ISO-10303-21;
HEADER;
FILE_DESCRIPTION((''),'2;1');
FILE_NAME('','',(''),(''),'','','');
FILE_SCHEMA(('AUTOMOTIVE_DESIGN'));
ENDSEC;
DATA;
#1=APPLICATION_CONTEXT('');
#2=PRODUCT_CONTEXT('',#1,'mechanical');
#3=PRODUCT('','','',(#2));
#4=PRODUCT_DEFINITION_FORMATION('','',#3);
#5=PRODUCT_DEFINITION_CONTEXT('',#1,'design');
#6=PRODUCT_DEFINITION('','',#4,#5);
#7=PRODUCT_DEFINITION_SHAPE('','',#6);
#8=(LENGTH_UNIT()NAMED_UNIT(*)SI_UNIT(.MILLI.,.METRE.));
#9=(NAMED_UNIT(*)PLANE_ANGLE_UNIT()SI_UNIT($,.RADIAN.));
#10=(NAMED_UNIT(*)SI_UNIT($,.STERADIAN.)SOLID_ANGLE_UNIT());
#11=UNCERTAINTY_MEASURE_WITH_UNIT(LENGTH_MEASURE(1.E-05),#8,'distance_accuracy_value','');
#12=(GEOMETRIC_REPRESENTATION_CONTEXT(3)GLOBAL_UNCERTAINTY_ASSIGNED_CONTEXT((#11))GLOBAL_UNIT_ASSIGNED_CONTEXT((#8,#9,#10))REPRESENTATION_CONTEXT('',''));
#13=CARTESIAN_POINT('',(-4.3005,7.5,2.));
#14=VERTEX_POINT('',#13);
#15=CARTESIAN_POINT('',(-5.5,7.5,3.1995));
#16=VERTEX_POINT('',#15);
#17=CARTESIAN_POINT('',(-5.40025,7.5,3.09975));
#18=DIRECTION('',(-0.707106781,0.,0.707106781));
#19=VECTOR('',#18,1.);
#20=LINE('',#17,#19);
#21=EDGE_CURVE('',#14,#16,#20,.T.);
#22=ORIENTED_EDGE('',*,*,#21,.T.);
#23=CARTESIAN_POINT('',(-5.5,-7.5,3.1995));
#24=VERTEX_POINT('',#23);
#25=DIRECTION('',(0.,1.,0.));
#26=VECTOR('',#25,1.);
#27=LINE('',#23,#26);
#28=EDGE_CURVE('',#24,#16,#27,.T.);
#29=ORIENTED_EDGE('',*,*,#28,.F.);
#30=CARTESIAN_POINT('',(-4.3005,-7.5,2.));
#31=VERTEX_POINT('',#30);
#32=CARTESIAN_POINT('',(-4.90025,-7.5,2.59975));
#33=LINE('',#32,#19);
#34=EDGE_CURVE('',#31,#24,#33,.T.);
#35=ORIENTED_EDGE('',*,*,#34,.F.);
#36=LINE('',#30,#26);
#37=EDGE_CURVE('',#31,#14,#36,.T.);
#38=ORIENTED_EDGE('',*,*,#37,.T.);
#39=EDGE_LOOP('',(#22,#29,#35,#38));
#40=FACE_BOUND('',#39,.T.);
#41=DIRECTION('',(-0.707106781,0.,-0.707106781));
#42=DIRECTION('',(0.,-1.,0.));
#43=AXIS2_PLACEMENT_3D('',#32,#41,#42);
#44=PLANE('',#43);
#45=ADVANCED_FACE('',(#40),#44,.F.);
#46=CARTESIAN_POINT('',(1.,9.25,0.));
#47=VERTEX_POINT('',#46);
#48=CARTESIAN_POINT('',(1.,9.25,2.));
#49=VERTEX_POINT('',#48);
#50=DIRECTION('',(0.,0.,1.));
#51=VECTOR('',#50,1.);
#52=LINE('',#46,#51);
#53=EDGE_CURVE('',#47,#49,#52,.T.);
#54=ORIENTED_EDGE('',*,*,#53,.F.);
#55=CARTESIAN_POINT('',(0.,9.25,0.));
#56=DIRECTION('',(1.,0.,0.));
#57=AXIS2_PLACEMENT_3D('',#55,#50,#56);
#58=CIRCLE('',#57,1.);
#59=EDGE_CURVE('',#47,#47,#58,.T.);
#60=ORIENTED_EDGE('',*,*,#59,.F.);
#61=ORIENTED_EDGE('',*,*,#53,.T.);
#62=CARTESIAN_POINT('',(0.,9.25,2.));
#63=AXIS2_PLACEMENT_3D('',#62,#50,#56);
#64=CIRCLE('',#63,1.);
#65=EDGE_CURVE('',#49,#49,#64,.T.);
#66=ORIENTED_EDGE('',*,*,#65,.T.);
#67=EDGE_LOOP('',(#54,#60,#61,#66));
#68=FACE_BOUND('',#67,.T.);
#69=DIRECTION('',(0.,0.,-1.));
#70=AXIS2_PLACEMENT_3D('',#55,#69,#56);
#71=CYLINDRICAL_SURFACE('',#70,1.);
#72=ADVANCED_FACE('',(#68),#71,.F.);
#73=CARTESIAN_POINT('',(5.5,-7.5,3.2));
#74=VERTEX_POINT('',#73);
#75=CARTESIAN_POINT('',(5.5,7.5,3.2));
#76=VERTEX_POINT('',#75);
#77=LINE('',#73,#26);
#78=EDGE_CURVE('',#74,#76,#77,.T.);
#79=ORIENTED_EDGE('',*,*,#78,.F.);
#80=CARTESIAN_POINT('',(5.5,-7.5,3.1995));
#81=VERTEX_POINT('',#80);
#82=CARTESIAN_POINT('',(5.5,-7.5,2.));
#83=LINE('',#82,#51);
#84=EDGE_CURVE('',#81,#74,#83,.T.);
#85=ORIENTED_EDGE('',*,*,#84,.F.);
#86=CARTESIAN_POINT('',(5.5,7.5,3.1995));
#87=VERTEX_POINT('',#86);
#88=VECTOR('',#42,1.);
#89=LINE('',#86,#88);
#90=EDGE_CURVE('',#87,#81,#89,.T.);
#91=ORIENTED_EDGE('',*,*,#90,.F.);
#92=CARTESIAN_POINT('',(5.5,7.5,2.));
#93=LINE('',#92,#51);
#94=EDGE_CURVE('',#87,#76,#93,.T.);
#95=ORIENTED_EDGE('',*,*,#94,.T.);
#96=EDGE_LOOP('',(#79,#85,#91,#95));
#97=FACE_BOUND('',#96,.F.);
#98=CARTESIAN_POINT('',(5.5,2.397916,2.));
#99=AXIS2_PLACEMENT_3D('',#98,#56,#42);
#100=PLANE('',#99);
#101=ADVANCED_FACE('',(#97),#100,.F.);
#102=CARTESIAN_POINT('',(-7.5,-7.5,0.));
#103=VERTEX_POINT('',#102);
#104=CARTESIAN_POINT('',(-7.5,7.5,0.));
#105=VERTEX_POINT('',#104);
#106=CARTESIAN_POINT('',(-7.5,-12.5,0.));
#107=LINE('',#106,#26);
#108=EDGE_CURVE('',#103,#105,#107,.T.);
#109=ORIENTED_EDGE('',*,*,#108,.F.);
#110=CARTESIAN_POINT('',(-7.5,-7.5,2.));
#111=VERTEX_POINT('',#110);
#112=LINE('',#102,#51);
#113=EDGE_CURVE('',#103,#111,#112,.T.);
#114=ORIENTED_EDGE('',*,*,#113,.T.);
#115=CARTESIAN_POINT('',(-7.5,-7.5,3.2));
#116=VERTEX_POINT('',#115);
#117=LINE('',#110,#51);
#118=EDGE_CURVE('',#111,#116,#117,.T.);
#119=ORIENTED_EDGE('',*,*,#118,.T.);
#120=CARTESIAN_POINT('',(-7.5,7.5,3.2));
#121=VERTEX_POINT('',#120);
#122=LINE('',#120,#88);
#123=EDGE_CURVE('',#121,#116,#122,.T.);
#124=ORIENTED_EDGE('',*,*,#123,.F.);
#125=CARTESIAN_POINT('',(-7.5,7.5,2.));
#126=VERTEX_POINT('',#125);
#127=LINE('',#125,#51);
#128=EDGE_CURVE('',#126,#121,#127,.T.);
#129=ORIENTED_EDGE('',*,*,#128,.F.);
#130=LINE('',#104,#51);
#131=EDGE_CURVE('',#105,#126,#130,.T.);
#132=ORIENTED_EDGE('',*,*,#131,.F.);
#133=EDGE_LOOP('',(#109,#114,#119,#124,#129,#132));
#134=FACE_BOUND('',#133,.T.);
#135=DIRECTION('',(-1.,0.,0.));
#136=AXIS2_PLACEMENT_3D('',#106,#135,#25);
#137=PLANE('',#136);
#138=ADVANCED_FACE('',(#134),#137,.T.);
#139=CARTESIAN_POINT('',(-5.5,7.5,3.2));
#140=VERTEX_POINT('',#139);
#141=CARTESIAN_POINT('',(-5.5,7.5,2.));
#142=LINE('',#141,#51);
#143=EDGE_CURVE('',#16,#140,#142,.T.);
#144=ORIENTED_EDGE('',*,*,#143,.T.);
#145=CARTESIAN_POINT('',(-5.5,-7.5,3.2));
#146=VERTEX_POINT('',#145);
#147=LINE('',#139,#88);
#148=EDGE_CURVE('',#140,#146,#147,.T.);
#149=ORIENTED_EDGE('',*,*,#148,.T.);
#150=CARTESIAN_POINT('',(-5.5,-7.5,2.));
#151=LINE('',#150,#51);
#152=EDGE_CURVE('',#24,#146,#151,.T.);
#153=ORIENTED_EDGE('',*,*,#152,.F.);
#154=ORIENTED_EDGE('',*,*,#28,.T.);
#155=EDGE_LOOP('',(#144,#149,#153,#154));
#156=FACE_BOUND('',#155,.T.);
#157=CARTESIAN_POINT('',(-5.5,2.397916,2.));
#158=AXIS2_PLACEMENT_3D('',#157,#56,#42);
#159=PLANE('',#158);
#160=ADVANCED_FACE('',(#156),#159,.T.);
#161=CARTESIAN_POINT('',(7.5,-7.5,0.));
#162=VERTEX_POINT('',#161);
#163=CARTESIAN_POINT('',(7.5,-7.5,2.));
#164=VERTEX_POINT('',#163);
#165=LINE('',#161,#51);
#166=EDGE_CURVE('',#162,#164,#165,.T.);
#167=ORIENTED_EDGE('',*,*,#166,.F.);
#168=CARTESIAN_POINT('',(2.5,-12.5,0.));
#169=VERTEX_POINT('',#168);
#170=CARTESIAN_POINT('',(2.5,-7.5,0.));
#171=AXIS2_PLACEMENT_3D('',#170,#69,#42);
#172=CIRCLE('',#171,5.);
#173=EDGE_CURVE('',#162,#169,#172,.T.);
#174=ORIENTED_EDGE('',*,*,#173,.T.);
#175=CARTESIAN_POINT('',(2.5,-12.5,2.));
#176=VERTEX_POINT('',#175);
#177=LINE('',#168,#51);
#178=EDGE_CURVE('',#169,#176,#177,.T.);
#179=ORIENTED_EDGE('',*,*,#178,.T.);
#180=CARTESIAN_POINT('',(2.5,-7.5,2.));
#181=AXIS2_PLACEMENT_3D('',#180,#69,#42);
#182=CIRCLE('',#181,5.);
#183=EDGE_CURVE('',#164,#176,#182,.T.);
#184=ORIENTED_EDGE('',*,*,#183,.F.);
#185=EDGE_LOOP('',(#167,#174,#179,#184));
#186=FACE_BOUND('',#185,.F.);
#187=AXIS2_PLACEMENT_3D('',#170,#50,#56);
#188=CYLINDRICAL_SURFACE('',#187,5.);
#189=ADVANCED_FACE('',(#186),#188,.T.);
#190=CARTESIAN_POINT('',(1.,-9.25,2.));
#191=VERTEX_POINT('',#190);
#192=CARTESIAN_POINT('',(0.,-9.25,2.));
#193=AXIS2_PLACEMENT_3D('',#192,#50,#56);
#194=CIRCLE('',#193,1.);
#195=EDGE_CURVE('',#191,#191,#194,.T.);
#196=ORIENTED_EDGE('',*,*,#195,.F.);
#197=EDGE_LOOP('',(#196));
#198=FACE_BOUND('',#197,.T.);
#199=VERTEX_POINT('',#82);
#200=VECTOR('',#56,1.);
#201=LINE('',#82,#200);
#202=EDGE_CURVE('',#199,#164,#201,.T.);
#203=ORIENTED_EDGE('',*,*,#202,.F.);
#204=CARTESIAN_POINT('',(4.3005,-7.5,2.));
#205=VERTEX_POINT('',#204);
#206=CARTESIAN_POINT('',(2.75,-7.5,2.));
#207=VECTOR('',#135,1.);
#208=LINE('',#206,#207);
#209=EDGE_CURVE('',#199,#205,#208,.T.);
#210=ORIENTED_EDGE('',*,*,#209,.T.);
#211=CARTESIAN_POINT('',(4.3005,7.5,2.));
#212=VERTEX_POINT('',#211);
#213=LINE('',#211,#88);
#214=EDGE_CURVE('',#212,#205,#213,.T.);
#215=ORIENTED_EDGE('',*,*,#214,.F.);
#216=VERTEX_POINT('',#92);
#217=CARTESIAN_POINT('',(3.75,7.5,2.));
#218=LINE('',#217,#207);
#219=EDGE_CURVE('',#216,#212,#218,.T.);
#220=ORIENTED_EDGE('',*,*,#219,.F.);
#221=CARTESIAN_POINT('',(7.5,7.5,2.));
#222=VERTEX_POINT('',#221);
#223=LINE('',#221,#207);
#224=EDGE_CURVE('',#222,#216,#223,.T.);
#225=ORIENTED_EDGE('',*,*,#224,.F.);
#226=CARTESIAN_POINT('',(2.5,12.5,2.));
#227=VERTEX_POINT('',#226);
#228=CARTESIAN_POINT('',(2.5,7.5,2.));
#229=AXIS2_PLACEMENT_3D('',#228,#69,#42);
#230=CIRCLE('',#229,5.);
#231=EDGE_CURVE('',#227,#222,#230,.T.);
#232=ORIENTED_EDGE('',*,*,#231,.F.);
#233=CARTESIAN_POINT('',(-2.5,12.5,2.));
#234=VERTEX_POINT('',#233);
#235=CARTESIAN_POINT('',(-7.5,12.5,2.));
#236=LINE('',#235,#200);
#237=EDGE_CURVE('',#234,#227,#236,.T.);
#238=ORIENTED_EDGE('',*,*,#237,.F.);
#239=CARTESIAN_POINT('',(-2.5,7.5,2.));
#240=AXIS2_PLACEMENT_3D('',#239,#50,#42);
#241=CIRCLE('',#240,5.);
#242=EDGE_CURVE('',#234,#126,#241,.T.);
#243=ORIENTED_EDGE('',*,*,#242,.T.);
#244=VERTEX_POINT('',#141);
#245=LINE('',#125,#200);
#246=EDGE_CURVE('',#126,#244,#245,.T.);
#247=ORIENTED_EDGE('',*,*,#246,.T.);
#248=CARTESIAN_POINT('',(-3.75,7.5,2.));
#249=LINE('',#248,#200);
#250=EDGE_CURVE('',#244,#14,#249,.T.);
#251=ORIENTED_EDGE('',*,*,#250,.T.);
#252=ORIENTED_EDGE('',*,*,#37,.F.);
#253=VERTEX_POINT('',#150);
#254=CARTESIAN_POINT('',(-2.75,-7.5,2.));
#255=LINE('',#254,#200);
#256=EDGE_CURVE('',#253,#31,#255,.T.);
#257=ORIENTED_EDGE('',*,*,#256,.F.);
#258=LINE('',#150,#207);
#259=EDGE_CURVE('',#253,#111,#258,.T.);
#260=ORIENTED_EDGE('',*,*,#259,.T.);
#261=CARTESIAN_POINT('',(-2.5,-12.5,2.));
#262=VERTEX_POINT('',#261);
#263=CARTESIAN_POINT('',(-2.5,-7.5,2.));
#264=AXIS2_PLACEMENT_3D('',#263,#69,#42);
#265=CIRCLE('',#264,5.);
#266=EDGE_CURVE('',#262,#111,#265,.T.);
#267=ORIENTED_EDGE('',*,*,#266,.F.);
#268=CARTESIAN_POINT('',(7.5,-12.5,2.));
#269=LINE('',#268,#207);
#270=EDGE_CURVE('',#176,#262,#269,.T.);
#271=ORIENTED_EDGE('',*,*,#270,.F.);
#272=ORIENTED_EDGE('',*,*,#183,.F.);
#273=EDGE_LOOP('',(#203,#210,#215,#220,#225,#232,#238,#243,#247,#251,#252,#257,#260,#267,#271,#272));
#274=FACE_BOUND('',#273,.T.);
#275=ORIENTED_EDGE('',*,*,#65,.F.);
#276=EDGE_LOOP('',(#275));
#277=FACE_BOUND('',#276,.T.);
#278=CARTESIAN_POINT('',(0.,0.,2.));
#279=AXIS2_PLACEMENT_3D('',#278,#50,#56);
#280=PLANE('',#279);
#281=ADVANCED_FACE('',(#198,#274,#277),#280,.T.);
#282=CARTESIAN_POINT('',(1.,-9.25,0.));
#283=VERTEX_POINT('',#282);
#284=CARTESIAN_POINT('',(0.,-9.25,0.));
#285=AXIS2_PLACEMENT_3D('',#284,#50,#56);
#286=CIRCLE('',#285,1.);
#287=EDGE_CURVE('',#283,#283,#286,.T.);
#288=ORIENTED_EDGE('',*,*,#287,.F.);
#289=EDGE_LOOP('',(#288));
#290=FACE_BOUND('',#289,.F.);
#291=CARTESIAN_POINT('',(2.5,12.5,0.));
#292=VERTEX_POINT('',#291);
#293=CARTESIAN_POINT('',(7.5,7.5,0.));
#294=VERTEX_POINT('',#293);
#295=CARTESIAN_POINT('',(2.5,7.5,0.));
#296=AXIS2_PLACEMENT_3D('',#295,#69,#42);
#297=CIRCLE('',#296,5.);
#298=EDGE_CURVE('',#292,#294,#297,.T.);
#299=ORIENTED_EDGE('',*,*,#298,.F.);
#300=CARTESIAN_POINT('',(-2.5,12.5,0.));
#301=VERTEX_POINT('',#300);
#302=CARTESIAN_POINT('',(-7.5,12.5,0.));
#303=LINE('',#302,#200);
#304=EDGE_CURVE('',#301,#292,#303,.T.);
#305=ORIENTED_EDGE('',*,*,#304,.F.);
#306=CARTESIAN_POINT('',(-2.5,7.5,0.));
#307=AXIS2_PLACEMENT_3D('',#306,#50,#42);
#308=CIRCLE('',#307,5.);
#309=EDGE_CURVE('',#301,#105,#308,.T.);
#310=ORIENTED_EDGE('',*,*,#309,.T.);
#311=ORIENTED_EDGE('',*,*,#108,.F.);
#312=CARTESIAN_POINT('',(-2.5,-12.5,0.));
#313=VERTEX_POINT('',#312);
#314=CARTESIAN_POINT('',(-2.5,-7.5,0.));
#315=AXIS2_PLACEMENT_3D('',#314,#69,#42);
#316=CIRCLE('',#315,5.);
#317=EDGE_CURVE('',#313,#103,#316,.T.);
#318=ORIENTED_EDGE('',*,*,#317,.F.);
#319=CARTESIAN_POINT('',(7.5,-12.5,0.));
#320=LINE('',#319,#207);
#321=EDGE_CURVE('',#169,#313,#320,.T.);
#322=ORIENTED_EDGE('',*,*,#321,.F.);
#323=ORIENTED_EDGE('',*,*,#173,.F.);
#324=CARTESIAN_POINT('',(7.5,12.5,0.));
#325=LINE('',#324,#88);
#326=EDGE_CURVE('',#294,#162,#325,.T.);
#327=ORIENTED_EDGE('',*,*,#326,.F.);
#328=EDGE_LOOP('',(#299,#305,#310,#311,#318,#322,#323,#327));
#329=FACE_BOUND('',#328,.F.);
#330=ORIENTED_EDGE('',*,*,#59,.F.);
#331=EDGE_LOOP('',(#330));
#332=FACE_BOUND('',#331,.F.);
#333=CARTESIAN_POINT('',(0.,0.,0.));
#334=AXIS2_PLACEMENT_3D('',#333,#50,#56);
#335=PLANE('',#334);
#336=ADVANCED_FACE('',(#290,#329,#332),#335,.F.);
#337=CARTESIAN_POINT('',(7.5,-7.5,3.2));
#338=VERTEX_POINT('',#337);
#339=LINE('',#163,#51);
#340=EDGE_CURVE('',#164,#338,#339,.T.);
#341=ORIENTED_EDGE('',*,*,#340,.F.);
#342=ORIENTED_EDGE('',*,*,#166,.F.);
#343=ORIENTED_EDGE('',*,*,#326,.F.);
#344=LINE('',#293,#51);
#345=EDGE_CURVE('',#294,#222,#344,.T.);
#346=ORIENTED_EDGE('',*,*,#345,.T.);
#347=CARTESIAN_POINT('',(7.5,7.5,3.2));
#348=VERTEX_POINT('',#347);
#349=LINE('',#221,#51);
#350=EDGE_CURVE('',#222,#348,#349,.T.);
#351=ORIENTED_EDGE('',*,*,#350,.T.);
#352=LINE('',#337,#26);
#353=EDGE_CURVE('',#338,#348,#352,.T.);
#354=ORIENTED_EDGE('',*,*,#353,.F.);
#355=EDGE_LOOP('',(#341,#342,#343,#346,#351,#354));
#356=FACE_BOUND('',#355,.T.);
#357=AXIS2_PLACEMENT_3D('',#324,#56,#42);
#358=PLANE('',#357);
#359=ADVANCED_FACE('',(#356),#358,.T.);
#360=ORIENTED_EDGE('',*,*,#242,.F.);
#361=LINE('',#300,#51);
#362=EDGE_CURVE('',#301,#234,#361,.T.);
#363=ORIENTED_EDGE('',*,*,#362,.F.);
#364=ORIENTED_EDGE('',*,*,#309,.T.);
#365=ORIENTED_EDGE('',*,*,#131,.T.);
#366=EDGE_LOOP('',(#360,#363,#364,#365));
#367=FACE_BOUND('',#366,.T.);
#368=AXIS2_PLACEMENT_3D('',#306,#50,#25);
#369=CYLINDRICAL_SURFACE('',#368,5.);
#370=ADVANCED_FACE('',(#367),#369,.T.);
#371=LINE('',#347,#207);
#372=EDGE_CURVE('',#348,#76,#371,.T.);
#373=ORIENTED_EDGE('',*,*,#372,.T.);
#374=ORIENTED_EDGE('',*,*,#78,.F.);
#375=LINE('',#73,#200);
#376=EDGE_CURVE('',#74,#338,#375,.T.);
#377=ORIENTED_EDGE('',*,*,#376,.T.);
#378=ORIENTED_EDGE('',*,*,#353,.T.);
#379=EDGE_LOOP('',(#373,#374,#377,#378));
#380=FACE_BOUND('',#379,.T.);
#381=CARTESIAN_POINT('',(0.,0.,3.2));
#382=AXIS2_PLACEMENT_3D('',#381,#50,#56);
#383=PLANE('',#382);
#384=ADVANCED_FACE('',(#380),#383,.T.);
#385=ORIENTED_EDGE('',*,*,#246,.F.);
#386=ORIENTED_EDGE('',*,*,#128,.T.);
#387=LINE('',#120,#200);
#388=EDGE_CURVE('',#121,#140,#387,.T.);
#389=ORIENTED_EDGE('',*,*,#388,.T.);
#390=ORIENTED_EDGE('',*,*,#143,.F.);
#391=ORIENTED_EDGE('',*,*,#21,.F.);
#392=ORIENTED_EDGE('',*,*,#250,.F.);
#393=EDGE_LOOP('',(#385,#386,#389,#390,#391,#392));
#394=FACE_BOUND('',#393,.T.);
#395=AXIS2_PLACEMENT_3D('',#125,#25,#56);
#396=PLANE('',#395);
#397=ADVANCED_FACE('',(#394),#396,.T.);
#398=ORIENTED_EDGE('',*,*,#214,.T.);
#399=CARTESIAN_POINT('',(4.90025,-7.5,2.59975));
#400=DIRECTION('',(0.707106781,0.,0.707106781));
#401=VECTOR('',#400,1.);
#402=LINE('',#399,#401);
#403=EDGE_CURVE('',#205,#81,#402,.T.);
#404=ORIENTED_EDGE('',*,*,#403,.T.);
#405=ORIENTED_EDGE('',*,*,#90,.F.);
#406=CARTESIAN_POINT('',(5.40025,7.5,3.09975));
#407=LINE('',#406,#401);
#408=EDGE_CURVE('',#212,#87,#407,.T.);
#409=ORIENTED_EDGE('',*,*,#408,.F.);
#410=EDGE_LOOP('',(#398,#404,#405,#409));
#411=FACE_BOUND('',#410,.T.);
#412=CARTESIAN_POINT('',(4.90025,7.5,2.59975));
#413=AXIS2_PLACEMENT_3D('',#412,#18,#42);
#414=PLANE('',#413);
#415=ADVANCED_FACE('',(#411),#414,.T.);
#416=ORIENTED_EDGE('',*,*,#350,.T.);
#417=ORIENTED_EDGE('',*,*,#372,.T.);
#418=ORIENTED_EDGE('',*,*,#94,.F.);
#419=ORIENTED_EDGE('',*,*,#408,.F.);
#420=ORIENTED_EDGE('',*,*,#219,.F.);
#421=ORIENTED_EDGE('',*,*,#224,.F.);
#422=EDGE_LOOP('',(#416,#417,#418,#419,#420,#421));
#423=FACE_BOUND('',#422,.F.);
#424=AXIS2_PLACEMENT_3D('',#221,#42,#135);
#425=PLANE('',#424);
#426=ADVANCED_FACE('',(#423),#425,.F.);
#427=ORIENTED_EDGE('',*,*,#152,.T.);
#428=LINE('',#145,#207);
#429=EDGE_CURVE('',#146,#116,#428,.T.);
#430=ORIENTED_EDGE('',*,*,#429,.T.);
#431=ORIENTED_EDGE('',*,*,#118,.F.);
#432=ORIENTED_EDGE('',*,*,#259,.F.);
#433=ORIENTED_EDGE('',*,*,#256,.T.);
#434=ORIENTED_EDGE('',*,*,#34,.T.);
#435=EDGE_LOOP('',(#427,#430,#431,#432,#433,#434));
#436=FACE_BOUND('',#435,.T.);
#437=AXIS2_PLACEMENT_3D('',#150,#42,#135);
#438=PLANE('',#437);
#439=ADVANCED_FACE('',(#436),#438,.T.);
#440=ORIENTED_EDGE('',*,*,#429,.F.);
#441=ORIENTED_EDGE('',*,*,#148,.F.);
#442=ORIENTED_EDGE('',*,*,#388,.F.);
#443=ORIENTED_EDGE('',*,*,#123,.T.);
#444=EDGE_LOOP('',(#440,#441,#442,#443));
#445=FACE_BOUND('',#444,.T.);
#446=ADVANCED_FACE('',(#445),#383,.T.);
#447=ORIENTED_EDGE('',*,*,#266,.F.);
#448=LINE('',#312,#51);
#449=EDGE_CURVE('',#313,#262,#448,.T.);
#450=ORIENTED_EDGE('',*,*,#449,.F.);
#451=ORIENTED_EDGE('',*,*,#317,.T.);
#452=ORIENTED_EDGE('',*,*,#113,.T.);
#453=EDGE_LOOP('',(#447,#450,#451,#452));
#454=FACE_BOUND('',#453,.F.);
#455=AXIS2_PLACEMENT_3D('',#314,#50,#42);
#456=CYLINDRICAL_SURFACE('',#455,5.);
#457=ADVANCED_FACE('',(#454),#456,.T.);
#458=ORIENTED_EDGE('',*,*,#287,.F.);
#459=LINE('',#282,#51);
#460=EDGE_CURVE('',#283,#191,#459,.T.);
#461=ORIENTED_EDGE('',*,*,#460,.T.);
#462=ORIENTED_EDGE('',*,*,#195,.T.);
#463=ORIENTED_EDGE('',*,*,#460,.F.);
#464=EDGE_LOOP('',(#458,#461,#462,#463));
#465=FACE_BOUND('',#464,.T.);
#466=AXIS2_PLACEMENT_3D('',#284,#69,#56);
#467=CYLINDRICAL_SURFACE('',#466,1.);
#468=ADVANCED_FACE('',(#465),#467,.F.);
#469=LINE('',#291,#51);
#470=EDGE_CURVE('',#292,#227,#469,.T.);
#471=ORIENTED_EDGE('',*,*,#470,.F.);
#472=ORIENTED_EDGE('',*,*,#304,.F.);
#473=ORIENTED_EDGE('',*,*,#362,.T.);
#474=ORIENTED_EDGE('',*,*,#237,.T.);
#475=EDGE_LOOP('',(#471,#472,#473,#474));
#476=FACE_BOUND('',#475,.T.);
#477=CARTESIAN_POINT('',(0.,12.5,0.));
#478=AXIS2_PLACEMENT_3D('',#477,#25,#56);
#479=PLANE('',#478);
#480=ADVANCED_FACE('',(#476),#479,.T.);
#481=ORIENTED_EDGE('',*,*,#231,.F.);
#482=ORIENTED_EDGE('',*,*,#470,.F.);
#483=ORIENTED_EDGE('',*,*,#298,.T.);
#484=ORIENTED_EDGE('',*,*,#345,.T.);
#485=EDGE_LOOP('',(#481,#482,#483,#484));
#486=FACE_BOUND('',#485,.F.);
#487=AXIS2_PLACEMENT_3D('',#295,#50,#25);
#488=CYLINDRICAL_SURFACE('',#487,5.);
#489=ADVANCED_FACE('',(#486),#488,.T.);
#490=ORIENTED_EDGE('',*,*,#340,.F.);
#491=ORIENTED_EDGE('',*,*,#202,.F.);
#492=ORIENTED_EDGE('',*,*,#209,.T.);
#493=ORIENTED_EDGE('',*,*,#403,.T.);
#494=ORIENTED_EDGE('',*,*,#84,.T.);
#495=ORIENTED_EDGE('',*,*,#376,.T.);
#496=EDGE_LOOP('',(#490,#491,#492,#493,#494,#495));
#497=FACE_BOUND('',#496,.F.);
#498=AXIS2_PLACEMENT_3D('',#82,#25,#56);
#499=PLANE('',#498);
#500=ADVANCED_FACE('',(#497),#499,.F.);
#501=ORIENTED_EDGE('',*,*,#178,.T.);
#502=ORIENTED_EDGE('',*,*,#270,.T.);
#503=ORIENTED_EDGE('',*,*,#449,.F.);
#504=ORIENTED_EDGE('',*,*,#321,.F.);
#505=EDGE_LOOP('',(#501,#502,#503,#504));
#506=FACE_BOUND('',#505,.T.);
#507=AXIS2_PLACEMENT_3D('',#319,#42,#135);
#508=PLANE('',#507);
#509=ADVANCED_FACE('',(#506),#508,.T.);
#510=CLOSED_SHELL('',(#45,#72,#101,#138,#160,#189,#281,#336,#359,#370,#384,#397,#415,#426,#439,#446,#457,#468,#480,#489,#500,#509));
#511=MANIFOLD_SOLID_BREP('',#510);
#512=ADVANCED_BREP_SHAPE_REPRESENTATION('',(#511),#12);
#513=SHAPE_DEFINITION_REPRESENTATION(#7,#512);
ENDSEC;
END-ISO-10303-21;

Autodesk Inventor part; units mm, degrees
ref_plane "YZ Plane" through (0, 0, 0) normal (1, 0, 0) x (0, 1, 0)
ref_plane "XZ Plane" through (0, 0, 0) normal (0, 1, 0) x (-1, 0, 0)
ref_plane "XY Plane" through (0, 0, 0) normal (0, 0, 1) x (1, 0, 0)
sketch "Эскиз1" plane through (0, 0, 0) normal (0, 0, 1) x (1, 0, 0)
  circle A0 centre (0, 0) radius 6
  line L0 (-7.5, 12.5) -> (7.5, 12.5)
  line L1 (7.5, 12.5) -> (7.5, -12.5)
  line L2 (7.5, -12.5) -> (-7.5, -12.5)
  line L3 (-7.5, -12.5) -> (-7.5, 12.5)
  line L4 (-7.5, 12.5) -> (7.5, -12.5) construction
  line L5 (7.5, 12.5) -> (-7.5, -12.5) construction
  line L6 (0, 6) -> (0, 12.5)
  line L7 (0, -6) -> (0, -12.5)
  circle A1 centre (0, 9.25) radius 1
  circle A2 centre (0, -9.25) radius 1
  dimension "d0" = 12
  dimension "d1" = 15
  dimension "d2" = 25
  dimension "d31" = 2
  dimension "d32" = 2
extrude "Выдавливание1" add sketch "Эскиз1" along normal blind 2 contours A0 | A0 L6 A1 L0 L1 L2 L7 A2 | A0 L7 A2 L2 L3 L0 L6 A1
fillet "Сопряжение6" radius 5 4 edges at (-7.5, -12.5, 1) (-7.5, 12.5, 1) (7.5, 12.5, 1) (7.5, -12.5, 1)
sketch "Эскиз7" plane through (0, 0, 2) normal (0, 0, 1) x (1, 0, 0)
  circle A0 centre (0, 0) radius 4
  circle A1 centre (0, 0) radius 6
  line L0 (-7.5, 7.5) -> (-7.5, -7.5) projected
  line L1 (-7.5, 7.5) -> (-5.5, 7.5)
  line L2 (-5.5, 7.5) -> (-5.5, -7.5)
  line L3 (-5.5, -7.5) -> (-7.5, -7.5)
  line L4 (-7.5, -7.5) -> (-7.5, 7.5)
  arc A2 (7.5, 7.5) -> (2.5, 12.5) centre (2.5, 7.5) ccw projected
  line L5 (7.5, 7.5) -> (5.5, 7.5)
  line L6 (5.5, 7.5) -> (5.5, -7.5)
  line L7 (5.5, -7.5) -> (7.5, -7.5)
  line L8 (7.5, -7.5) -> (7.5, 7.5)
  dimension "d34" = 8
  dimension "d35" = 12
  dimension "d36" = 2
  dimension "d37" = 2
extrude "Выдавливание7" add sketch "Эскиз7" along normal blind 1.2 contours A1 L6 | A1 L6 L5 L8 L7 | L2 A1 | A1 L2 L3 L0 L1
chamfer "Фаска1" distance 1.2 angle 45 2 edges at (5.5, 0, 2) (-5.5, 0, 2)
properties part number "led_cap"
